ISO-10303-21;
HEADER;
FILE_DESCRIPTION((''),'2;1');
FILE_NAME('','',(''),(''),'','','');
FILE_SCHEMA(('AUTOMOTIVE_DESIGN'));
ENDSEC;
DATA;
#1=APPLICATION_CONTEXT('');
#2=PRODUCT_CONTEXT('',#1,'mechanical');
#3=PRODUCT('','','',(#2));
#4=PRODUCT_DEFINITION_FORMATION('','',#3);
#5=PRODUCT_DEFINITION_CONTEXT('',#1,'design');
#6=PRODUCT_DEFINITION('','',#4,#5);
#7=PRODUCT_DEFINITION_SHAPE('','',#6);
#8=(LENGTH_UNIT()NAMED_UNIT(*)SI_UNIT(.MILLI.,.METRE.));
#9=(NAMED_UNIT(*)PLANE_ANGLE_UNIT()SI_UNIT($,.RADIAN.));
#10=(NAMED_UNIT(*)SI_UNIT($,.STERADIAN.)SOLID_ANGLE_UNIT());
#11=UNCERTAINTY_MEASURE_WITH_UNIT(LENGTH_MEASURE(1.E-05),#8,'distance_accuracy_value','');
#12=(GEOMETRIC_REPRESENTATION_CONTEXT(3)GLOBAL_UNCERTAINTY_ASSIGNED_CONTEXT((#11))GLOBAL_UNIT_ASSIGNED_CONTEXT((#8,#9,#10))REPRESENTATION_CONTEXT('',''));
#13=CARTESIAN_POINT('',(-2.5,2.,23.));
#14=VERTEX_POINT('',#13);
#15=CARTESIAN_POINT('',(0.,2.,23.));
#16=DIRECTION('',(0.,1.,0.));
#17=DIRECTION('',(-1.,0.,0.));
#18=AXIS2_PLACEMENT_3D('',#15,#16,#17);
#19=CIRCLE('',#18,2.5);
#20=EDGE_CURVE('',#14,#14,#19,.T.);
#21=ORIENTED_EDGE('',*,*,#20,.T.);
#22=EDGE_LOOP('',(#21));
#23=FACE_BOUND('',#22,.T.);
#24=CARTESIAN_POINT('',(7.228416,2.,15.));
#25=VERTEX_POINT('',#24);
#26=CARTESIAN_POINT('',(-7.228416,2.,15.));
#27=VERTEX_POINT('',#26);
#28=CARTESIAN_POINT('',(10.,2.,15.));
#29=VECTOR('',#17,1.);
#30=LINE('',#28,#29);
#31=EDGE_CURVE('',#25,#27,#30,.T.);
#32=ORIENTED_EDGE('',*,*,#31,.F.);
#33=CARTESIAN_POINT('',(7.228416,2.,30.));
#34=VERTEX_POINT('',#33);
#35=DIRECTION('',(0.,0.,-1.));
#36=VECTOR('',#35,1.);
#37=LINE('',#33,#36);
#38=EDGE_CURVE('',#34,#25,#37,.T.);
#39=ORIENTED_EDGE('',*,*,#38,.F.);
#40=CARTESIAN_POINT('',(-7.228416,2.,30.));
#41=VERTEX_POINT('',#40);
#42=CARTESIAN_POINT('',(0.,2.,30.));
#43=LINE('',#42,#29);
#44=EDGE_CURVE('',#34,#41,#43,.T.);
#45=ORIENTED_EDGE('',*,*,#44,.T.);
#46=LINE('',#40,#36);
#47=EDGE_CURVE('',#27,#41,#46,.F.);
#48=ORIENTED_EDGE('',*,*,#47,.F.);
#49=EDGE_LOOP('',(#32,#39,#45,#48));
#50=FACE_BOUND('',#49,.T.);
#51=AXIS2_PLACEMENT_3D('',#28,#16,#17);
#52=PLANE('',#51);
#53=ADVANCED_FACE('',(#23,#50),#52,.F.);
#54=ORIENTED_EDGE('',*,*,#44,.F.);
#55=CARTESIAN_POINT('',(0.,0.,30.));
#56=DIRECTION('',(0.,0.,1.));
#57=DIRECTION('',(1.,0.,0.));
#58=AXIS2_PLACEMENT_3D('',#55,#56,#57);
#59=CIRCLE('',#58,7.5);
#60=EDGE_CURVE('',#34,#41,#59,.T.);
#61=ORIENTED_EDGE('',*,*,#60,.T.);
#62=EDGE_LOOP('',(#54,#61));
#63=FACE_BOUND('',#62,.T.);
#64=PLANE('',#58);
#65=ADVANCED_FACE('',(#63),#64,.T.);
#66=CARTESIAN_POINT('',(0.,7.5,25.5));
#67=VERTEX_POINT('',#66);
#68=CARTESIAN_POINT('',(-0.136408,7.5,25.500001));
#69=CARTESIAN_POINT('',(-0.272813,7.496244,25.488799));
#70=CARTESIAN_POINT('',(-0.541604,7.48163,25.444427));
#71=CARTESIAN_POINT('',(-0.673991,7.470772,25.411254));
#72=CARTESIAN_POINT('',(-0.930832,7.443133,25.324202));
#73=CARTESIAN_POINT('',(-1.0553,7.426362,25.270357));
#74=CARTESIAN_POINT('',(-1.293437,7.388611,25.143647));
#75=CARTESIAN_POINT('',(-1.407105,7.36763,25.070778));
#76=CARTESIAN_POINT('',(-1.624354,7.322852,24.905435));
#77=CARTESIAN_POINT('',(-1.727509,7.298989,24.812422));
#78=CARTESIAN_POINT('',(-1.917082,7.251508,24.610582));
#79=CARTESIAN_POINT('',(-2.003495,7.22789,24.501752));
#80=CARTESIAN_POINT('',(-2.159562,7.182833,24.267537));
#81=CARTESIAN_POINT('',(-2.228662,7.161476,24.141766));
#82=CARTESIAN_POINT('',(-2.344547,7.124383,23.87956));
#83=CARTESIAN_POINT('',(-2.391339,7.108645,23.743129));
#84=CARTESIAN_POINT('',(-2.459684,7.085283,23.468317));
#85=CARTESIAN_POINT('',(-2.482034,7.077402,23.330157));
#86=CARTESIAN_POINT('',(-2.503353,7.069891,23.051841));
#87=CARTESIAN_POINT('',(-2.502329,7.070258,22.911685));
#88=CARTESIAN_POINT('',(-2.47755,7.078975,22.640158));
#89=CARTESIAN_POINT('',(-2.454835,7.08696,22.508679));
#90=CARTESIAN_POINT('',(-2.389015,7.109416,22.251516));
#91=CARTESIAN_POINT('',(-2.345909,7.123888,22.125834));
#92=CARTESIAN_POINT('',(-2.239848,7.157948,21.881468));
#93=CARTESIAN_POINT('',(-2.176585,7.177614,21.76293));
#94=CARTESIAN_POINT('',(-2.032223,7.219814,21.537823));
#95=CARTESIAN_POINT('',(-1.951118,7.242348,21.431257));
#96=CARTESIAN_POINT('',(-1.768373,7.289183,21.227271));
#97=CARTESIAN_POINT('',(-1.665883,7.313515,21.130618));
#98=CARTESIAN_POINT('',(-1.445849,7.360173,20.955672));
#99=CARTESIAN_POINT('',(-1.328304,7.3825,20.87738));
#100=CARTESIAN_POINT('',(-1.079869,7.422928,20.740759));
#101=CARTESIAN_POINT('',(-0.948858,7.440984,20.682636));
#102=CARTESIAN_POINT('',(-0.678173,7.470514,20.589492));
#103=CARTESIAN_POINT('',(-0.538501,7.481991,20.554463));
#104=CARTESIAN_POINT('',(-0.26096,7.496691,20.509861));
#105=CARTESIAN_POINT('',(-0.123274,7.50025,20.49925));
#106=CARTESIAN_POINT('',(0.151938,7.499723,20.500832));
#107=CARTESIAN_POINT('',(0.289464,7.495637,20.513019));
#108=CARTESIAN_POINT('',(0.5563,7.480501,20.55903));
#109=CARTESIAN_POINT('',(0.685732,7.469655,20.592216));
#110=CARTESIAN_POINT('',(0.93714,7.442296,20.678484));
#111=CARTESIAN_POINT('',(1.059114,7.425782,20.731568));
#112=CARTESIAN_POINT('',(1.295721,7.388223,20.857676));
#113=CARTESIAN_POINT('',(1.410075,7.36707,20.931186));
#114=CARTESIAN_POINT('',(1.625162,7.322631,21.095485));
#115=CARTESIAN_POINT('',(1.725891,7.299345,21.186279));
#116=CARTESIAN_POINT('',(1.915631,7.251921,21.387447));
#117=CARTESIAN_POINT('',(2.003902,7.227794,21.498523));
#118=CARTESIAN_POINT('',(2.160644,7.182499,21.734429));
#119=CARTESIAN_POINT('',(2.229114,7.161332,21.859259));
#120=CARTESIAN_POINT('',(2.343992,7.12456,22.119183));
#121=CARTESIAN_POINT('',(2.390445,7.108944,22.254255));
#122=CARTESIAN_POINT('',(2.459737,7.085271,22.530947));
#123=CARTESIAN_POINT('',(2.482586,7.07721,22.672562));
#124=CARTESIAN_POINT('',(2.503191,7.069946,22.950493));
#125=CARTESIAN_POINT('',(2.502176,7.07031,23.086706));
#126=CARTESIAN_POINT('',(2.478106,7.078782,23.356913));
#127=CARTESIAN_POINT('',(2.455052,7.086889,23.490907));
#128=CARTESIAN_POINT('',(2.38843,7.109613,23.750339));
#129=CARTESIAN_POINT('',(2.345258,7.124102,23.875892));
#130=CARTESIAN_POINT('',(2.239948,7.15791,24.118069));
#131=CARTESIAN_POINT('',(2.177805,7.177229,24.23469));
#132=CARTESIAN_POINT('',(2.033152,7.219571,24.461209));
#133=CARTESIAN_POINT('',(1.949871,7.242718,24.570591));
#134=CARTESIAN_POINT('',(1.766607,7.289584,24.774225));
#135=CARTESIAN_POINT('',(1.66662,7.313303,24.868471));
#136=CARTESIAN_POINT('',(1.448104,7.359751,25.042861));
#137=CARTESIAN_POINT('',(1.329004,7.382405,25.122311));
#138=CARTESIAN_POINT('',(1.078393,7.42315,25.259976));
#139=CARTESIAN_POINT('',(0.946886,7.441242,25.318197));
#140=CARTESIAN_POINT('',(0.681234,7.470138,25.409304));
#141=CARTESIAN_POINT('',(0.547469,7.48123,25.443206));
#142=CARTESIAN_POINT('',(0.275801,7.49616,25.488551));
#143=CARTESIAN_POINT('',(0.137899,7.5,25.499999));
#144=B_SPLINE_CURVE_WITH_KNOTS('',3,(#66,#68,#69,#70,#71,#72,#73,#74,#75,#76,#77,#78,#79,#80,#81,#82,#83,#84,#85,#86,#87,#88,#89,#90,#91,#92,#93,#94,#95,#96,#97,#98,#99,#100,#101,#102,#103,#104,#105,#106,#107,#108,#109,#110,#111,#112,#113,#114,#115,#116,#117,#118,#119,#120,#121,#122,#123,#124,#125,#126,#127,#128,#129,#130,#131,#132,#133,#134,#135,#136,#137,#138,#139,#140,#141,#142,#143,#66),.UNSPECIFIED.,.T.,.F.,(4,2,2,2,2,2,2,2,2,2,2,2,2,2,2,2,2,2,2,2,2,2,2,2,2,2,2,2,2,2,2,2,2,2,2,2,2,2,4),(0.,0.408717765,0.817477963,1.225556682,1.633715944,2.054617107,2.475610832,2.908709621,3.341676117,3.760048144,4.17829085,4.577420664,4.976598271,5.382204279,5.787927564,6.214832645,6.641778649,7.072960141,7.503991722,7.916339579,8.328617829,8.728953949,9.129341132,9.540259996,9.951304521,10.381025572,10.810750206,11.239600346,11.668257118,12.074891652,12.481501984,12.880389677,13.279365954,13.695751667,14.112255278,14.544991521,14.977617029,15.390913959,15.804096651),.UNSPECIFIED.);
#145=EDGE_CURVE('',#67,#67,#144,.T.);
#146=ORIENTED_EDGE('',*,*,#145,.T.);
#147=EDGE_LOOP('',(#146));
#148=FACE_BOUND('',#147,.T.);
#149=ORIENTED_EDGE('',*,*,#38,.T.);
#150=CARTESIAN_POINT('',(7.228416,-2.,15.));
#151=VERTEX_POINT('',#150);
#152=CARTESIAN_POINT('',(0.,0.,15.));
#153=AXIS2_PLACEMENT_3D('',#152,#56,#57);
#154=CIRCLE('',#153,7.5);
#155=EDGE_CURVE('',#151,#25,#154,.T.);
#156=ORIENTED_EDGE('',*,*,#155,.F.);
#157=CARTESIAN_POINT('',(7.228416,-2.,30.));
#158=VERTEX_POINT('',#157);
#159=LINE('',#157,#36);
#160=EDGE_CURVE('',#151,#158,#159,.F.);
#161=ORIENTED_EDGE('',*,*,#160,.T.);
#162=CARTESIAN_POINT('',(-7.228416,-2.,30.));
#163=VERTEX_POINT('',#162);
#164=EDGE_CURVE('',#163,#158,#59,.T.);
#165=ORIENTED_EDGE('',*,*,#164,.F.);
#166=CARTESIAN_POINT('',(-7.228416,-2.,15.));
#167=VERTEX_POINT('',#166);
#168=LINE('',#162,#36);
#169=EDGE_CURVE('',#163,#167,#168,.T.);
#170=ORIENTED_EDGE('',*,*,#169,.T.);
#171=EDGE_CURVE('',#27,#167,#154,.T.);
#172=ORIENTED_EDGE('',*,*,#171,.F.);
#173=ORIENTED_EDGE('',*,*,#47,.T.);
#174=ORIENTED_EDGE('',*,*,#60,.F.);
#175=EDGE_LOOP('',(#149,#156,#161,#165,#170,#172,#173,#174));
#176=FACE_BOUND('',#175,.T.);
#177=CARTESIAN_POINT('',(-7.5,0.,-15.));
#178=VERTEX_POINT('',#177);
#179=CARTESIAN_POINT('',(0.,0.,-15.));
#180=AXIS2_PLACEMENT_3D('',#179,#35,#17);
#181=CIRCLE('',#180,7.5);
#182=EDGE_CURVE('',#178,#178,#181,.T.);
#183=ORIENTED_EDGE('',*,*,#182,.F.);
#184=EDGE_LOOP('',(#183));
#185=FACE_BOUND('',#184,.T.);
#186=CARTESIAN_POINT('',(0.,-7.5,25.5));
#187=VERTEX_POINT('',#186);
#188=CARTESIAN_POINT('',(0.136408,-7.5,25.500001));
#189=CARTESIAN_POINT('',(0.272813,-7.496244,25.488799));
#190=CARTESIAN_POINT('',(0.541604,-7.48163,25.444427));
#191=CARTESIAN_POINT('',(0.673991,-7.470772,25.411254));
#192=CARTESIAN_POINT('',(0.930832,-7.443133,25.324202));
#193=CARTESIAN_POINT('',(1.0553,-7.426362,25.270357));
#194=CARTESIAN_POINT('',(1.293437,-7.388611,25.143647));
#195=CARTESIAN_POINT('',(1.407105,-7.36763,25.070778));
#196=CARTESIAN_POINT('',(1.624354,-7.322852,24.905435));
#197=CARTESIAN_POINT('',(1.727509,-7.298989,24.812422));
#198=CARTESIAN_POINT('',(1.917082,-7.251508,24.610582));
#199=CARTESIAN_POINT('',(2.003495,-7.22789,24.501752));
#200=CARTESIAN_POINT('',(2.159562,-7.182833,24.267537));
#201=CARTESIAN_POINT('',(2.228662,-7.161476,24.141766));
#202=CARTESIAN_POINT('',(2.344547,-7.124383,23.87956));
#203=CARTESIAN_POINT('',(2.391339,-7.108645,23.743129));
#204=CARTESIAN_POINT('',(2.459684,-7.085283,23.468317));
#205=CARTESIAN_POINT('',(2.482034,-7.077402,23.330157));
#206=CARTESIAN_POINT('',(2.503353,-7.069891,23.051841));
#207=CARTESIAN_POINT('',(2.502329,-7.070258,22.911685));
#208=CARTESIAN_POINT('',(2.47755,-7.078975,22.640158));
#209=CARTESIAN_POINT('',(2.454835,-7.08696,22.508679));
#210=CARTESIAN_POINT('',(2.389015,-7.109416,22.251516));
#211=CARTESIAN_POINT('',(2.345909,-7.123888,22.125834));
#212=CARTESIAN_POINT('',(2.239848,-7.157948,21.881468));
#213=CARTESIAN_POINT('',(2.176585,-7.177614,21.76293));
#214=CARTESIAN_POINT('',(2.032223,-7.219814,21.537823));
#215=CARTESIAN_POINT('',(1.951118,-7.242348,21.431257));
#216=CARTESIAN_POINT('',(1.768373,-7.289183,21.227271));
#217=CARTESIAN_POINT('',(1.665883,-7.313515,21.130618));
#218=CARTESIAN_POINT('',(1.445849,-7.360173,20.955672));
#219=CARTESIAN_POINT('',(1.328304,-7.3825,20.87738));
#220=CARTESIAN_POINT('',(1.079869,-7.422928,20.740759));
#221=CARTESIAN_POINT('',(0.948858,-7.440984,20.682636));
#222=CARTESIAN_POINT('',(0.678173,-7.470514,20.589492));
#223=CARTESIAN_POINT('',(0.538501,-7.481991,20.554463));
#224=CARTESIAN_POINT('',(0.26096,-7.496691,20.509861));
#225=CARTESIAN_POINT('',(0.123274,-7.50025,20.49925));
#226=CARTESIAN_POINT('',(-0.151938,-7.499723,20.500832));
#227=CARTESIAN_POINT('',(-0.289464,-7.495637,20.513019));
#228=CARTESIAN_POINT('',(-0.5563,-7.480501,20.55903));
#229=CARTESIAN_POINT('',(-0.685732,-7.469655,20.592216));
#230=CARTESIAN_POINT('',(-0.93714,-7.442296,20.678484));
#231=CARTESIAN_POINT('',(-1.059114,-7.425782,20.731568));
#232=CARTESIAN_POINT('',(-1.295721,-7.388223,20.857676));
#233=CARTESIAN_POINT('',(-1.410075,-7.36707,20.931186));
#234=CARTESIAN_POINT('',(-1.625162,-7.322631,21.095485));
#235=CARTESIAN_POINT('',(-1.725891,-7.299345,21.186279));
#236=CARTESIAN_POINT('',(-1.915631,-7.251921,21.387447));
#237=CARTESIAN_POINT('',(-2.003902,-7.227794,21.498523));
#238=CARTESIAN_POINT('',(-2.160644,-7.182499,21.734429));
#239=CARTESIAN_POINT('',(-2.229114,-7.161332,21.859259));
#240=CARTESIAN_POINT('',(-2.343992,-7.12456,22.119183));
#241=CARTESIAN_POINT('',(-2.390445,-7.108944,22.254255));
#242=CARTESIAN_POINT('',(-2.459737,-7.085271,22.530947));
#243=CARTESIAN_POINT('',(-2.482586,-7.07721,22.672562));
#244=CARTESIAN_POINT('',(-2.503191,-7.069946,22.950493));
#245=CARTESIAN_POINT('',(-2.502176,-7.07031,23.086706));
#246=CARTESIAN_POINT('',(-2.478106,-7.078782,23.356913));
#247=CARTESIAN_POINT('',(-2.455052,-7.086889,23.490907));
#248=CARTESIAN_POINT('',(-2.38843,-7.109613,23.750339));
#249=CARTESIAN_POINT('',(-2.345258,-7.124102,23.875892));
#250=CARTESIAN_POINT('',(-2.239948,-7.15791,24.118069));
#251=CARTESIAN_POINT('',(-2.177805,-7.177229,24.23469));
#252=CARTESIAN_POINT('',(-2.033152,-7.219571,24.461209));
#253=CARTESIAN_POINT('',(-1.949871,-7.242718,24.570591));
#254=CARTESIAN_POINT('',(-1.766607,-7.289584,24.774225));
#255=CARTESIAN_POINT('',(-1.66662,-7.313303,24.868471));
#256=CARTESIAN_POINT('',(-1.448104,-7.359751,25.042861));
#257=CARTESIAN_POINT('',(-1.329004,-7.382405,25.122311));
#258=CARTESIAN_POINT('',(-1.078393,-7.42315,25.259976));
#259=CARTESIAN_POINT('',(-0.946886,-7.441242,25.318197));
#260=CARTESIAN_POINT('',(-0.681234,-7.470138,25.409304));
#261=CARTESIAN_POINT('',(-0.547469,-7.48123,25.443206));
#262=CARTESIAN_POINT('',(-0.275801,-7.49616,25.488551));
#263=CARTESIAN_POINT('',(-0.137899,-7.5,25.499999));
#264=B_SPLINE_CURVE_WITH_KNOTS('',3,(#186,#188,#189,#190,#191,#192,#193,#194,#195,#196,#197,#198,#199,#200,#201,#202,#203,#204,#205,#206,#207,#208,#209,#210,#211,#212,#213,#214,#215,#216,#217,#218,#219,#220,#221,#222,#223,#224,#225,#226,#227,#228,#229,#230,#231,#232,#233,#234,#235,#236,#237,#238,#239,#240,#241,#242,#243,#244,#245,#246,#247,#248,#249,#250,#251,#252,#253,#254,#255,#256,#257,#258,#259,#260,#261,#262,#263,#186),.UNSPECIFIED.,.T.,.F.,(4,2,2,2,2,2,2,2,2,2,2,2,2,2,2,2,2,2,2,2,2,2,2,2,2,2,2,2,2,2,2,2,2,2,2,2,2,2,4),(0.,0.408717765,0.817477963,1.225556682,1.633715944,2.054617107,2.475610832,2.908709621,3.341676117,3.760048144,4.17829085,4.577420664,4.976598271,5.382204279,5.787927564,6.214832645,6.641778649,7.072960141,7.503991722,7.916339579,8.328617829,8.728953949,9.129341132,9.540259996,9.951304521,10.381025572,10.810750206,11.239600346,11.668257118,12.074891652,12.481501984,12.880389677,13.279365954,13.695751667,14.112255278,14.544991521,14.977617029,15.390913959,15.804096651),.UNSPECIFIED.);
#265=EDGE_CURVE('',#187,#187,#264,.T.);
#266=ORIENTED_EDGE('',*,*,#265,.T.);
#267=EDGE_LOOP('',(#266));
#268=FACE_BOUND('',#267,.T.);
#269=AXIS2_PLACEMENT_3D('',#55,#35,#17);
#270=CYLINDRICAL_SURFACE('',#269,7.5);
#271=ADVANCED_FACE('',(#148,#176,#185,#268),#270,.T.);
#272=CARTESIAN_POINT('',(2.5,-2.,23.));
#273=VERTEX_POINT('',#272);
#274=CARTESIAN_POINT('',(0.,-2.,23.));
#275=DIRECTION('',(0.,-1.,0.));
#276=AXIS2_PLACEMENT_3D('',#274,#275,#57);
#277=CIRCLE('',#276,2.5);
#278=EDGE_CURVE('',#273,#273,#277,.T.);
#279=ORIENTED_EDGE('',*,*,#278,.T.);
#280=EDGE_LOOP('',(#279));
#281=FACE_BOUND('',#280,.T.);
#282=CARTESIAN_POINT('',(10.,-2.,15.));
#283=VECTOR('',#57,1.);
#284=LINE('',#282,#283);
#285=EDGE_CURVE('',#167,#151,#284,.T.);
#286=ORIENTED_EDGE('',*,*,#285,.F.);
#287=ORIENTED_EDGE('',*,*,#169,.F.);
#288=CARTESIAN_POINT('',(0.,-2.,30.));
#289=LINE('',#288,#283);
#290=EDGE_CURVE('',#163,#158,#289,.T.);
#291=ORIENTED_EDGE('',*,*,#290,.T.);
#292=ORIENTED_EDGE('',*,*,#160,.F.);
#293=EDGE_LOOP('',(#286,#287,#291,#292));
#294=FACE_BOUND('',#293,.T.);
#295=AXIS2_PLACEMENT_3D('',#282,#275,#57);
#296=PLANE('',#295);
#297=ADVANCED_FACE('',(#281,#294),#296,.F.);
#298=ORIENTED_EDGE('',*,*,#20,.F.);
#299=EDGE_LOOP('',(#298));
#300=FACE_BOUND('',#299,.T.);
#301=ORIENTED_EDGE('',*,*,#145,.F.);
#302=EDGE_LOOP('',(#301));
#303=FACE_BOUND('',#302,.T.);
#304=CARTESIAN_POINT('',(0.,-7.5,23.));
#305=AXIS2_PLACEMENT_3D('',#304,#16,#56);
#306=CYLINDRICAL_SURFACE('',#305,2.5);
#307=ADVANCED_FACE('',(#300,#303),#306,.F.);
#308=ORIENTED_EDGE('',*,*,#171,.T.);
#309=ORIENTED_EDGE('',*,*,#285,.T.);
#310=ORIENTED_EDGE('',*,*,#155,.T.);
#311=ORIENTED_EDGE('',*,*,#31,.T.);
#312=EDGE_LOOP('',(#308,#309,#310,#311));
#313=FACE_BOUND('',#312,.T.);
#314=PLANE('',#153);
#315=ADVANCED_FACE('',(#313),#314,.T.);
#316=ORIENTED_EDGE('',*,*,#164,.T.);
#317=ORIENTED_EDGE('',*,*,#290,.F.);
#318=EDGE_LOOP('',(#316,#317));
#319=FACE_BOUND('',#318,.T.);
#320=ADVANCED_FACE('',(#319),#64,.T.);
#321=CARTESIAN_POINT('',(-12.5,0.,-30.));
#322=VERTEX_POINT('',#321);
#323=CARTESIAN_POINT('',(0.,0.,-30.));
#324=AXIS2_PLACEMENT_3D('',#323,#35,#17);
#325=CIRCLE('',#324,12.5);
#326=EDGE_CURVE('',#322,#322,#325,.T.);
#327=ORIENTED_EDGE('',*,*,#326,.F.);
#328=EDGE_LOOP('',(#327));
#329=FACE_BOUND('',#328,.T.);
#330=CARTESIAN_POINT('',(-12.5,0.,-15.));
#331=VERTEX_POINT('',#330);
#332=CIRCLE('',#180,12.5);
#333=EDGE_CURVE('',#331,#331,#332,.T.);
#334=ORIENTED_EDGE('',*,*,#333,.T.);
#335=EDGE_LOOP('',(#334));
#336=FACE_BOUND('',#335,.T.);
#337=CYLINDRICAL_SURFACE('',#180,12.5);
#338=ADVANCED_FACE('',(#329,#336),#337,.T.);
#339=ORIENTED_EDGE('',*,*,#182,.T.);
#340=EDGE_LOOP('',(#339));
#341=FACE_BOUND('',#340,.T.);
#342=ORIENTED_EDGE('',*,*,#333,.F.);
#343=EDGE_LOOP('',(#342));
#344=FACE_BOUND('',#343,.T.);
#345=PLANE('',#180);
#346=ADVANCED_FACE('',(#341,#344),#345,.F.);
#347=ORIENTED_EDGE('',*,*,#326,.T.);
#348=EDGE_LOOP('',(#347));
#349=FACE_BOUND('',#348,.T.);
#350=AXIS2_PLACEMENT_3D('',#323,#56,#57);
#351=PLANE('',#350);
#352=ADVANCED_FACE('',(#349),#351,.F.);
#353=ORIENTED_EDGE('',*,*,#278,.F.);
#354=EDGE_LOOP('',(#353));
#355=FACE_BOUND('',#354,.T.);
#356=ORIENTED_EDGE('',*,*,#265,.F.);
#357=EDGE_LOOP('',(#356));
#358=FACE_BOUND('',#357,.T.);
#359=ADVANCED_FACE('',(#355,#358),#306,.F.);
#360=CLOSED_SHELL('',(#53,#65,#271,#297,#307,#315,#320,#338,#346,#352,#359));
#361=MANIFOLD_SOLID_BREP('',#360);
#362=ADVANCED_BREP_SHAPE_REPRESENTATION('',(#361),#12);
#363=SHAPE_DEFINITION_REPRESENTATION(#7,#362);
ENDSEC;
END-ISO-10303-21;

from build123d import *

# Parameters (mm, degrees)
SKETCH1_R           = 7.5
BOSS_EXTRUDE1_DEPTH = 30
SKETCH2_W           = 20
SKETCH2_H           = 4
CUT_EXTRUDE1_DEPTH  = 15
SKETCH3_R           = 2.5
CUT_EXTRUDE2_DEPTH  = 7.5
SKETCH4_R           = 12.5
BOSS_EXTRUDE2_DEPTH = 15


with BuildPart() as part:
    # Sketch1 → Boss-Extrude1 (new, symmetric)
    with BuildSketch(Plane.XY):
        Circle(SKETCH1_R)
    extrude(amount=BOSS_EXTRUDE1_DEPTH, both=True)

    # Sketch2 → Cut-Extrude1 (cut)
    with BuildSketch(Plane.XY.offset(30)):
        Rectangle(SKETCH2_W, SKETCH2_H)
    extrude(amount=-CUT_EXTRUDE1_DEPTH, mode=Mode.SUBTRACT)

    # Sketch3 → Cut-Extrude2 (cut, symmetric)
    with BuildSketch(Plane(origin=(0, 0, 0), x_dir=(1, 0, 0), z_dir=(0, 1, 0))):
        with Locations(Location((0, -23, 0), (0, 0, 270))):
            Circle(SKETCH3_R)
    extrude(amount=CUT_EXTRUDE2_DEPTH, both=True, mode=Mode.SUBTRACT)

    # Sketch4 → Boss-Extrude2 (add)
    with BuildSketch(Plane(origin=(0, 0, -30), x_dir=(-1, 0, 0), z_dir=(0, 0, -1))):
        Circle(SKETCH4_R)
    extrude(amount=-BOSS_EXTRUDE2_DEPTH)


solid = part.part
